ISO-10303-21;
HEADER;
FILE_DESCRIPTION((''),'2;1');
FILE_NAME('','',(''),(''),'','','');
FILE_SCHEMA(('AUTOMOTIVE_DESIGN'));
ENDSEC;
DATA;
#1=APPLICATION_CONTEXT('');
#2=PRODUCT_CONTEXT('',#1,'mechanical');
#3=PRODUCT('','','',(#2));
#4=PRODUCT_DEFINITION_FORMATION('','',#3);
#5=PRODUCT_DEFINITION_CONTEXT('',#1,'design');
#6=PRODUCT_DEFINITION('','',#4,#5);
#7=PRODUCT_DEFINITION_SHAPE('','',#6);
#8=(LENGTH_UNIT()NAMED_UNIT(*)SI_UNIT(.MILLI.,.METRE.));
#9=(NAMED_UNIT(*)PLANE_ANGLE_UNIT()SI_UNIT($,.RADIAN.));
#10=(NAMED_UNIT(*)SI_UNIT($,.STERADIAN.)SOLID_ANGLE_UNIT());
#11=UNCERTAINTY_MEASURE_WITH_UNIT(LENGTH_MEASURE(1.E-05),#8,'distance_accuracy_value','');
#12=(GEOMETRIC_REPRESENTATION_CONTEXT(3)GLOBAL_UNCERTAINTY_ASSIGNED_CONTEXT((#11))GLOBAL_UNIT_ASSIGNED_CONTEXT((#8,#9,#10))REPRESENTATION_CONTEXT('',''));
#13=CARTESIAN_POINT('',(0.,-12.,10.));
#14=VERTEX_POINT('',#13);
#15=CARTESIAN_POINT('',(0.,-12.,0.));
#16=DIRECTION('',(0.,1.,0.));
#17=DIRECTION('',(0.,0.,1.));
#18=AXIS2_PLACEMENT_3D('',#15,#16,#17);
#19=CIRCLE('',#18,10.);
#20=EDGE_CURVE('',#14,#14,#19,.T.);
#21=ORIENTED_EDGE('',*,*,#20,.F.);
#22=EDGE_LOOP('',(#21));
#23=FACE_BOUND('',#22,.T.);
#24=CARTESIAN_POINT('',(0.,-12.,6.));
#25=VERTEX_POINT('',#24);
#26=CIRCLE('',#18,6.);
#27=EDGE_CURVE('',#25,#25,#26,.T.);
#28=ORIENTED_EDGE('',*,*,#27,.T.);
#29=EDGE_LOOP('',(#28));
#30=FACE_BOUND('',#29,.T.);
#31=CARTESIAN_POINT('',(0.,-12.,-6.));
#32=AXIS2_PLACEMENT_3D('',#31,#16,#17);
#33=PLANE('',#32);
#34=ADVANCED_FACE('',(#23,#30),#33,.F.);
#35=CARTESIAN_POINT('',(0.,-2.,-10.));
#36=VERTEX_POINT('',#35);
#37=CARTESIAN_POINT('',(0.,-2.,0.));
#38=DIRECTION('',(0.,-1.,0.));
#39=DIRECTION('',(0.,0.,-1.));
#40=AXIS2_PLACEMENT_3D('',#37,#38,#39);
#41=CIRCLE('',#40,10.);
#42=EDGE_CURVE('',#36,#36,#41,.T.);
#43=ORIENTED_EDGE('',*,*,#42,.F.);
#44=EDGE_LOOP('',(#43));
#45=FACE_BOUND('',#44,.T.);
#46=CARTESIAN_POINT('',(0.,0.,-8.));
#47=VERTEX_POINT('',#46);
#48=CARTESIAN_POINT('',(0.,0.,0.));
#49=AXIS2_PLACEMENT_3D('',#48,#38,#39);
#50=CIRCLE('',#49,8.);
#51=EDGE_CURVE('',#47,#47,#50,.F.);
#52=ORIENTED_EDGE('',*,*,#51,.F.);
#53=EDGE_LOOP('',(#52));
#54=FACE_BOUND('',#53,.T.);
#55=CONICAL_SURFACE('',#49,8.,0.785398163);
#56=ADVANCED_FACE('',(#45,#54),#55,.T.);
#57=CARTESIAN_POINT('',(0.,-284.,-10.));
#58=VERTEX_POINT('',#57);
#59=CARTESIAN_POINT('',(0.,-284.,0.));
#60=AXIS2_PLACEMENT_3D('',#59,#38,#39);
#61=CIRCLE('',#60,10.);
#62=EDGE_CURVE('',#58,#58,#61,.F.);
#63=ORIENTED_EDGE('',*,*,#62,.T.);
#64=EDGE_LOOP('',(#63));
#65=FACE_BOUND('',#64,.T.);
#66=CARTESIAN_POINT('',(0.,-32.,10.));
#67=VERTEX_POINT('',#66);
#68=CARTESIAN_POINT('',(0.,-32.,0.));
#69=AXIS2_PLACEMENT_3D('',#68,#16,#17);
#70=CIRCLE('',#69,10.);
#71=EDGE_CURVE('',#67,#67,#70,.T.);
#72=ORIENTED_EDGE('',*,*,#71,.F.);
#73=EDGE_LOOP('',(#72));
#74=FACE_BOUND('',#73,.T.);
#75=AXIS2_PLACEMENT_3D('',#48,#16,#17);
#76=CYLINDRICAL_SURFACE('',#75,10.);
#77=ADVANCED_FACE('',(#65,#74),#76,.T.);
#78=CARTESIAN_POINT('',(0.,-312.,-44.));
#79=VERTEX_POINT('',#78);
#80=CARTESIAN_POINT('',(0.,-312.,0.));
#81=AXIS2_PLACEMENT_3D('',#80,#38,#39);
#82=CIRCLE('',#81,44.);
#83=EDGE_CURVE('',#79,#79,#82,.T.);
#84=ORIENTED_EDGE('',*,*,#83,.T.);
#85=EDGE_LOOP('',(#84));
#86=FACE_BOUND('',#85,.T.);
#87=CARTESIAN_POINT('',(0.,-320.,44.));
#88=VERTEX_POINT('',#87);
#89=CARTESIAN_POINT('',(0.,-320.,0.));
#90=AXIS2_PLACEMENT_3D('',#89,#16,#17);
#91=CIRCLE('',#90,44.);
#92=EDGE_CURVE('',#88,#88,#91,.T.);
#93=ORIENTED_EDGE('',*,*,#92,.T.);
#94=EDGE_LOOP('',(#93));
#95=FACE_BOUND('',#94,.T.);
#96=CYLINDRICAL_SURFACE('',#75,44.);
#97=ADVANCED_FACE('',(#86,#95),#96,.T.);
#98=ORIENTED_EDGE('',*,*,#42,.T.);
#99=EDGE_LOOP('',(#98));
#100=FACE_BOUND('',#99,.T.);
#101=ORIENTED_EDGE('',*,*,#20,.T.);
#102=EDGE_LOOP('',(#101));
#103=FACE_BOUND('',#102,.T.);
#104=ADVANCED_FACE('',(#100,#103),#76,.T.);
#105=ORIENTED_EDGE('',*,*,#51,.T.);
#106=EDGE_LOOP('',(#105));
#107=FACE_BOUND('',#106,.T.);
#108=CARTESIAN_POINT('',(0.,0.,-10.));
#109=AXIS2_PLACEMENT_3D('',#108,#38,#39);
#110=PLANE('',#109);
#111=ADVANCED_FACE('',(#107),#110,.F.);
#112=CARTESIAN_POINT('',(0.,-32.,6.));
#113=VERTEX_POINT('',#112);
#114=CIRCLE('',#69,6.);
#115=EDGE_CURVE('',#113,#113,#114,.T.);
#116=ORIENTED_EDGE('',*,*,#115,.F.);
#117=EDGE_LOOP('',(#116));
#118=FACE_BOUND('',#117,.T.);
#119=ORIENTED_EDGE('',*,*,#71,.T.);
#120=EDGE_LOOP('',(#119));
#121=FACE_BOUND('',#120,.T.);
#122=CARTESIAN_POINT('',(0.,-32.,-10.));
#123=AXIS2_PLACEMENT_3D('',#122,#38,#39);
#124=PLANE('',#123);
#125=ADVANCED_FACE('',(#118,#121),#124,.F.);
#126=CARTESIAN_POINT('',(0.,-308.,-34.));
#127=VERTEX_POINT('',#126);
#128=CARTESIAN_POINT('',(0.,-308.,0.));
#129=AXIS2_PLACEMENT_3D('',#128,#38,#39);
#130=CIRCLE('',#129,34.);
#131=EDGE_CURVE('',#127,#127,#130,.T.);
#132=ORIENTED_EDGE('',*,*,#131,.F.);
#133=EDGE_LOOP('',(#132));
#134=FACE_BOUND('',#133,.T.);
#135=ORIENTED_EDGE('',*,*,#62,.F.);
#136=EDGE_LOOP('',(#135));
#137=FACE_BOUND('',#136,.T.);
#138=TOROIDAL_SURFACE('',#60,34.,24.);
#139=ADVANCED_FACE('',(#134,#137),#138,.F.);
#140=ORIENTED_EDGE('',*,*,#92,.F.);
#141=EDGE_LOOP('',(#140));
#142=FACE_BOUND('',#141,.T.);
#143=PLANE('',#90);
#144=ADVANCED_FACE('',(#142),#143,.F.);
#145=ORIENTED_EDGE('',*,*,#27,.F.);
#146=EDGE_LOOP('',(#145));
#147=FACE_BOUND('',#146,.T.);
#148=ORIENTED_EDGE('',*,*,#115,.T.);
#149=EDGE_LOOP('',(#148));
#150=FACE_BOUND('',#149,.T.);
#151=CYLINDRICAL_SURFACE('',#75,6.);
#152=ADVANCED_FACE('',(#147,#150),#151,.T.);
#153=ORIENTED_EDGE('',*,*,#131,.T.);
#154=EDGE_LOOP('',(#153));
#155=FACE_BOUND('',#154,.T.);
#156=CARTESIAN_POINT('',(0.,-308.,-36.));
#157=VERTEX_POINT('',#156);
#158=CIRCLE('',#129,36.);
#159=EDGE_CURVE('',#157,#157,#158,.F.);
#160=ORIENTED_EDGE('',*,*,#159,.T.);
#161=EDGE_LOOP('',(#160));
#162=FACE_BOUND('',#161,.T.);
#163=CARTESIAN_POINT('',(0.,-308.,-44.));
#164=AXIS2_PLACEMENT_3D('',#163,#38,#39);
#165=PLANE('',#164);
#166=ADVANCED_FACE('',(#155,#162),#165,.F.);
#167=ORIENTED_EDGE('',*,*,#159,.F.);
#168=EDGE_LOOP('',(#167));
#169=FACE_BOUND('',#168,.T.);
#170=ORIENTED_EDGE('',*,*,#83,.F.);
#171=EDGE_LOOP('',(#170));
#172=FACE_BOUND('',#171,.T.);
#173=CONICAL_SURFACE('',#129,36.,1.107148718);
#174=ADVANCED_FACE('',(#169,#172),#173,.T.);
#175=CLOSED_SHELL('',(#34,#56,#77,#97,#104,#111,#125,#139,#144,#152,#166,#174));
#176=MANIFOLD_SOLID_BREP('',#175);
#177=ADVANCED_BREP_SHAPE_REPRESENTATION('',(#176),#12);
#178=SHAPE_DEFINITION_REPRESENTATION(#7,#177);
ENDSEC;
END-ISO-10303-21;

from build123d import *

# Parameters (mm, degrees)
FILLET1_R      = 24
CHAMFER1_SIZE  = 4
CHAMFER1_SIZE2 = 8
CHAMFER2_SIZE  = 2


with BuildPart() as part:
    # Sketch1 → Revolve1 (revolve)
    with BuildSketch(Plane(origin=(0, 0, 0), x_dir=(0, 0, -1), z_dir=(1, 0, 0)), mode=Mode.PRIVATE) as revolve1_sk:
        Polygon((0, 0), (0, -320), (44, -320), (44, -308), (10, -308), (10, -32), (6, -32), (6, -12), (10, -12), (10, 0), align=None)
    revolve(revolve1_sk.sketch.rotate(Axis((0, 0, 0), (0, -1, 0)), 180), axis=Axis((0, 0, 0), (0, -1, 0)))

    # Fillet1
    fillet1_edges = [part.edges().sort_by_distance(p)[0] for p in [
        (0, -308, -10),
    ]]
    fillet(fillet1_edges, radius=FILLET1_R)

    # Chamfer1
    chamfer1_edges = [part.edges().sort_by_distance(p)[0] for p in [
        (0, -308, -44),
    ]]
    chamfer1_side = [part.faces().sort_by_distance(p)[0] for p in [
        (0, -314, -44),
    ]]
    chamfer(chamfer1_edges, length=CHAMFER1_SIZE, length2=CHAMFER1_SIZE2, reference=chamfer1_side[0])

    # Chamfer2
    chamfer2_edges = [part.edges().sort_by_distance(p)[0] for p in [
        (0, 0, -10),
    ]]
    chamfer(chamfer2_edges, length=CHAMFER2_SIZE)


solid = part.part
